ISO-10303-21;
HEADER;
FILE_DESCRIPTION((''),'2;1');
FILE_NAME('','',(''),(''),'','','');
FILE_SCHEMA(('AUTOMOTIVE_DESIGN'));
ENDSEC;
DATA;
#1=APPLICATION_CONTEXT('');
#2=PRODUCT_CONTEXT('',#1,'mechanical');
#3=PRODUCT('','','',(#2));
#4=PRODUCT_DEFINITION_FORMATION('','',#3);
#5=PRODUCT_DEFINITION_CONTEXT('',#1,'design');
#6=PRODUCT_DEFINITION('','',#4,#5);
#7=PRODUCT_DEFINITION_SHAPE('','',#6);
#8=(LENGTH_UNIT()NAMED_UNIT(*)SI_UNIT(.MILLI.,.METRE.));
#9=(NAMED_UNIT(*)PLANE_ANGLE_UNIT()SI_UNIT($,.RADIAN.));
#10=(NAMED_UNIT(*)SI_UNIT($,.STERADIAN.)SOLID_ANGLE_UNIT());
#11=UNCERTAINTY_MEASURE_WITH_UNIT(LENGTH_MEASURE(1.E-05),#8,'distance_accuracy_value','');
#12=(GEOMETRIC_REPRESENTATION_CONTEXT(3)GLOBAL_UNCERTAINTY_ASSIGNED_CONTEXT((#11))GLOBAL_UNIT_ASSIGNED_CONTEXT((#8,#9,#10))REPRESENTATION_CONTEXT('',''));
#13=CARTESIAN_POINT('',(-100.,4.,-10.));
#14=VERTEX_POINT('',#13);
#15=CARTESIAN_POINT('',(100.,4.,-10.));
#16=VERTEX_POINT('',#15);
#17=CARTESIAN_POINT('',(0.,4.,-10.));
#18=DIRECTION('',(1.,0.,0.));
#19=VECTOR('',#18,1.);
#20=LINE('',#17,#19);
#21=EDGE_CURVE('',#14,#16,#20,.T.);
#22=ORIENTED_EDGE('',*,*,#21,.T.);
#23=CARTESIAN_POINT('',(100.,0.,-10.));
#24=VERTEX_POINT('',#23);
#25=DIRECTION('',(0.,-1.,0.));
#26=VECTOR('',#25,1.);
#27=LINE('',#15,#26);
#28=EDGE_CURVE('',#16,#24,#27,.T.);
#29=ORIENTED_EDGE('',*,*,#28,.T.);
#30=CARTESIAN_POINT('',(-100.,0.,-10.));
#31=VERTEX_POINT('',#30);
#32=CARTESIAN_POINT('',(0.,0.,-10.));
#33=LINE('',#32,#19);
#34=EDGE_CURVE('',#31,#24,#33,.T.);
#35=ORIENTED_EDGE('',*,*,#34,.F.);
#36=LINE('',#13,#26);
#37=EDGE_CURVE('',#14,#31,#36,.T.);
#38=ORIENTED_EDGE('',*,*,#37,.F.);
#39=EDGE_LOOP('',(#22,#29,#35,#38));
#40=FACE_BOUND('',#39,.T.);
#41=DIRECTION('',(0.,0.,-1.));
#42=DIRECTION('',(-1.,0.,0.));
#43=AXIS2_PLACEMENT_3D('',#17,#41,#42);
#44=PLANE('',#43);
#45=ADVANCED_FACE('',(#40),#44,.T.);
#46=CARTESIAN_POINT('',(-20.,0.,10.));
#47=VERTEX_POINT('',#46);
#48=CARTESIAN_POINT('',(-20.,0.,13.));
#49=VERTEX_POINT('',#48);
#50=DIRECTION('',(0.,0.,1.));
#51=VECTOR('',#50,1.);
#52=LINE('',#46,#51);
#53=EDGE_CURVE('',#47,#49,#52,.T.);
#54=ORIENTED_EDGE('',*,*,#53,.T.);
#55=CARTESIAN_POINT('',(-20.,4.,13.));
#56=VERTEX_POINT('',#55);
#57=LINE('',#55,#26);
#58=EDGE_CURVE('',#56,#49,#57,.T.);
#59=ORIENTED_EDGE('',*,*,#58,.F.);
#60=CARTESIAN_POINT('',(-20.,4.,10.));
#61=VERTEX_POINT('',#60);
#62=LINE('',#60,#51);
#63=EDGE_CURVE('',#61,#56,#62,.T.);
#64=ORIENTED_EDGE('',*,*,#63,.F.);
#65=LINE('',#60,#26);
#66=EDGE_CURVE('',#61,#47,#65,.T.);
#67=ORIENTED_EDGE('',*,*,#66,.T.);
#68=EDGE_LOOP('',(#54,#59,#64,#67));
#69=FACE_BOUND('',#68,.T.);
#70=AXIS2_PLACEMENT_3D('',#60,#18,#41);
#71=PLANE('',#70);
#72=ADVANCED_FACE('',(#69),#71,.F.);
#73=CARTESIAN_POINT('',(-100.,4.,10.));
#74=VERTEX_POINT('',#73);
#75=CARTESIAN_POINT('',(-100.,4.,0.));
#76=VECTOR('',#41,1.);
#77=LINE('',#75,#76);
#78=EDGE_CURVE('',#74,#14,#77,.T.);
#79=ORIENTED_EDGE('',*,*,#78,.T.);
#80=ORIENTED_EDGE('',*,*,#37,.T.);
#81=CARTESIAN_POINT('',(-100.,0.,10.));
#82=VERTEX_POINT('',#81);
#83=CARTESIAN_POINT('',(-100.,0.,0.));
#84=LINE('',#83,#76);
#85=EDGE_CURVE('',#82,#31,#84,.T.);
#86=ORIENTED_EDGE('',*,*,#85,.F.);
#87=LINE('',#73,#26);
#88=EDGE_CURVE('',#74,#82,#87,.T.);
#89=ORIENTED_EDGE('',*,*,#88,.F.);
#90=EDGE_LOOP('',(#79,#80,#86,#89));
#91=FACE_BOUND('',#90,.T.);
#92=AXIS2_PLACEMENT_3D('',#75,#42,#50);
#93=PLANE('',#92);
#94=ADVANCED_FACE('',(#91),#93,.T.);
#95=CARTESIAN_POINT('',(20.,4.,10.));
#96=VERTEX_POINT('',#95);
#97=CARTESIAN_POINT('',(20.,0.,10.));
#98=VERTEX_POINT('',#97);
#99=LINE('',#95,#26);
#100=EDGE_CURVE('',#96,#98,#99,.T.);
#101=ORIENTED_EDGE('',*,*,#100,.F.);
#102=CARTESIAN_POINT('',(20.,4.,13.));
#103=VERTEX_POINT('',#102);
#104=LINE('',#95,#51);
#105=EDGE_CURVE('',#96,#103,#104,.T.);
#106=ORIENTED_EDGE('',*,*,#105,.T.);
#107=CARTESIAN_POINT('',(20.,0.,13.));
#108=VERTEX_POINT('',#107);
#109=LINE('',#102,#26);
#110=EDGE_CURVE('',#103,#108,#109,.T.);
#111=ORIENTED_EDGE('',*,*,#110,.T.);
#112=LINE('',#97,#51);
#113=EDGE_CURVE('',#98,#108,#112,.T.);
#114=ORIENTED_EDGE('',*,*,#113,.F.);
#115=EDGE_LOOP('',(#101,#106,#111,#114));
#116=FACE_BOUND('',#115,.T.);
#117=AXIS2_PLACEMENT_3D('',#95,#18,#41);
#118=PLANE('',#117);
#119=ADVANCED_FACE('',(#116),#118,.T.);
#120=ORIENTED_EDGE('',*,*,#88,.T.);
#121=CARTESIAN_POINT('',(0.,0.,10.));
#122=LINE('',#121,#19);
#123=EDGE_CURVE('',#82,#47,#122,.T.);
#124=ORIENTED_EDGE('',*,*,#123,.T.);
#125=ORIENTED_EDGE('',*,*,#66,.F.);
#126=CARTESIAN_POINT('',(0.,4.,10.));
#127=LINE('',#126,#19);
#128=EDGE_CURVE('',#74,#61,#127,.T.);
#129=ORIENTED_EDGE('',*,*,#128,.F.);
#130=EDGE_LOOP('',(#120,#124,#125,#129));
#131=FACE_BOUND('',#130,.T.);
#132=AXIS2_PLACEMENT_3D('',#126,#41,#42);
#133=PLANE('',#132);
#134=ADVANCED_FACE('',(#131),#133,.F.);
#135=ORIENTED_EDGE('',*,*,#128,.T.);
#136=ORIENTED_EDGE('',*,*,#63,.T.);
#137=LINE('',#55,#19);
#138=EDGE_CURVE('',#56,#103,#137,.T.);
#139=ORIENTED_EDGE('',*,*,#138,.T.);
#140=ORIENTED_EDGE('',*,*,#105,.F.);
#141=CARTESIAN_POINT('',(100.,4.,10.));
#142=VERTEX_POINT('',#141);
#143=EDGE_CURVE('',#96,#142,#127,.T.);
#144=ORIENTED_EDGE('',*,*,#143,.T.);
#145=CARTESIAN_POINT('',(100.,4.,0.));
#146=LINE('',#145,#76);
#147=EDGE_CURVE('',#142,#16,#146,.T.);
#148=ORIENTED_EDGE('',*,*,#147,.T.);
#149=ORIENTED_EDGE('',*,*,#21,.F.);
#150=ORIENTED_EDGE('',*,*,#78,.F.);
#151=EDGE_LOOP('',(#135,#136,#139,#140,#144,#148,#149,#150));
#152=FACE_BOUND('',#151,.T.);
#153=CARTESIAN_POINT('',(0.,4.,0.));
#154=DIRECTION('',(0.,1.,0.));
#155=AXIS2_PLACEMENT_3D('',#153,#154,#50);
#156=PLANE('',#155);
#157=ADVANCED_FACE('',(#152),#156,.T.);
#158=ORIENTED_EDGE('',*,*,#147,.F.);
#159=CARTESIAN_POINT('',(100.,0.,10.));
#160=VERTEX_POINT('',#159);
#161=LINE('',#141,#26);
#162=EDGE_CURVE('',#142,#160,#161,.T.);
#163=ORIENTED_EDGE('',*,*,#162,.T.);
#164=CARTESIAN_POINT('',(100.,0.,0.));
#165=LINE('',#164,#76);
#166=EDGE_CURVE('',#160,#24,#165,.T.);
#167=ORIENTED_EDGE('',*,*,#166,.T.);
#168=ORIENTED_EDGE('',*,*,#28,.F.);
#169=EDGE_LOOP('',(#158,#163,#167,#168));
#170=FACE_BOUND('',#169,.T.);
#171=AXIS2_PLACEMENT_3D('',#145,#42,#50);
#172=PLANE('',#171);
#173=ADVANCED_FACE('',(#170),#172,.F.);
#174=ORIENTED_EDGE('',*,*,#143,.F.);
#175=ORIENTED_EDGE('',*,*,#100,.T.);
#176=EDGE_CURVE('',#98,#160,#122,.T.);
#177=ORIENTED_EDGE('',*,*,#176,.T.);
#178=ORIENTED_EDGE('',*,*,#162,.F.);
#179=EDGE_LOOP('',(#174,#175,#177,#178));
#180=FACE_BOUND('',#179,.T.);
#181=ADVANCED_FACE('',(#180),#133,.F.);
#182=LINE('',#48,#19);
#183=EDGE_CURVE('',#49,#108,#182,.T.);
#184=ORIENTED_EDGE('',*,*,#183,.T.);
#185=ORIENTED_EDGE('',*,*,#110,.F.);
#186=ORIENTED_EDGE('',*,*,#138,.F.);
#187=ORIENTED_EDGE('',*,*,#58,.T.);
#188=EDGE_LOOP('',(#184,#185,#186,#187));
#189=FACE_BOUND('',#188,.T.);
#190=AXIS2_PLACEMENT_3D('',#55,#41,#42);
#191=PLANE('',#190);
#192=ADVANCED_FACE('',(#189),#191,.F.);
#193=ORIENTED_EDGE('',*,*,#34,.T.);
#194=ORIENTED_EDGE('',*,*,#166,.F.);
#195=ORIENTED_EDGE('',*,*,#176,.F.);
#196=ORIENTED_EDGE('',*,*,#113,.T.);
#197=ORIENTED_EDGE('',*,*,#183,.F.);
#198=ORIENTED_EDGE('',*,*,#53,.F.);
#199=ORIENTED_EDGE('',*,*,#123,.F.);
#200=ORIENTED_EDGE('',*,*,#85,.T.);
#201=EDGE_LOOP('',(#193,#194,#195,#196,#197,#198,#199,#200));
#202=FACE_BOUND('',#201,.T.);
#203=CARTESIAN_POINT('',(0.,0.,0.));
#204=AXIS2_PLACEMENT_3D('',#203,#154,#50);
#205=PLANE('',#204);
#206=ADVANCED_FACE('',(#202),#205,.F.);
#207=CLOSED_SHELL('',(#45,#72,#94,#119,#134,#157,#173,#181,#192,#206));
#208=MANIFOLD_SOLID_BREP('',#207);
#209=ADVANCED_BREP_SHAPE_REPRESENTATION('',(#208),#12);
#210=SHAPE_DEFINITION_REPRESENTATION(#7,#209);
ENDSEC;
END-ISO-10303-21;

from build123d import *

# Parameters (mm, degrees)
SKETCH1_W      = 200
SKETCH1_H      = 20
SKETCH1_W_2    = 40
SKETCH1_H_2    = 3
EXTRUDE1_DEPTH = 4


with BuildPart() as part:
    # Sketch1 → Extrude1 (new body)
    with BuildSketch(Plane(origin=(0, 0, 0), x_dir=(1, 0, 0), z_dir=(0, 1, 0))):
        Rectangle(SKETCH1_W, SKETCH1_H)
        with Locations((0, -11.5)):
            Rectangle(SKETCH1_W_2, SKETCH1_H_2)
    extrude(amount=EXTRUDE1_DEPTH)


solid = part.part
